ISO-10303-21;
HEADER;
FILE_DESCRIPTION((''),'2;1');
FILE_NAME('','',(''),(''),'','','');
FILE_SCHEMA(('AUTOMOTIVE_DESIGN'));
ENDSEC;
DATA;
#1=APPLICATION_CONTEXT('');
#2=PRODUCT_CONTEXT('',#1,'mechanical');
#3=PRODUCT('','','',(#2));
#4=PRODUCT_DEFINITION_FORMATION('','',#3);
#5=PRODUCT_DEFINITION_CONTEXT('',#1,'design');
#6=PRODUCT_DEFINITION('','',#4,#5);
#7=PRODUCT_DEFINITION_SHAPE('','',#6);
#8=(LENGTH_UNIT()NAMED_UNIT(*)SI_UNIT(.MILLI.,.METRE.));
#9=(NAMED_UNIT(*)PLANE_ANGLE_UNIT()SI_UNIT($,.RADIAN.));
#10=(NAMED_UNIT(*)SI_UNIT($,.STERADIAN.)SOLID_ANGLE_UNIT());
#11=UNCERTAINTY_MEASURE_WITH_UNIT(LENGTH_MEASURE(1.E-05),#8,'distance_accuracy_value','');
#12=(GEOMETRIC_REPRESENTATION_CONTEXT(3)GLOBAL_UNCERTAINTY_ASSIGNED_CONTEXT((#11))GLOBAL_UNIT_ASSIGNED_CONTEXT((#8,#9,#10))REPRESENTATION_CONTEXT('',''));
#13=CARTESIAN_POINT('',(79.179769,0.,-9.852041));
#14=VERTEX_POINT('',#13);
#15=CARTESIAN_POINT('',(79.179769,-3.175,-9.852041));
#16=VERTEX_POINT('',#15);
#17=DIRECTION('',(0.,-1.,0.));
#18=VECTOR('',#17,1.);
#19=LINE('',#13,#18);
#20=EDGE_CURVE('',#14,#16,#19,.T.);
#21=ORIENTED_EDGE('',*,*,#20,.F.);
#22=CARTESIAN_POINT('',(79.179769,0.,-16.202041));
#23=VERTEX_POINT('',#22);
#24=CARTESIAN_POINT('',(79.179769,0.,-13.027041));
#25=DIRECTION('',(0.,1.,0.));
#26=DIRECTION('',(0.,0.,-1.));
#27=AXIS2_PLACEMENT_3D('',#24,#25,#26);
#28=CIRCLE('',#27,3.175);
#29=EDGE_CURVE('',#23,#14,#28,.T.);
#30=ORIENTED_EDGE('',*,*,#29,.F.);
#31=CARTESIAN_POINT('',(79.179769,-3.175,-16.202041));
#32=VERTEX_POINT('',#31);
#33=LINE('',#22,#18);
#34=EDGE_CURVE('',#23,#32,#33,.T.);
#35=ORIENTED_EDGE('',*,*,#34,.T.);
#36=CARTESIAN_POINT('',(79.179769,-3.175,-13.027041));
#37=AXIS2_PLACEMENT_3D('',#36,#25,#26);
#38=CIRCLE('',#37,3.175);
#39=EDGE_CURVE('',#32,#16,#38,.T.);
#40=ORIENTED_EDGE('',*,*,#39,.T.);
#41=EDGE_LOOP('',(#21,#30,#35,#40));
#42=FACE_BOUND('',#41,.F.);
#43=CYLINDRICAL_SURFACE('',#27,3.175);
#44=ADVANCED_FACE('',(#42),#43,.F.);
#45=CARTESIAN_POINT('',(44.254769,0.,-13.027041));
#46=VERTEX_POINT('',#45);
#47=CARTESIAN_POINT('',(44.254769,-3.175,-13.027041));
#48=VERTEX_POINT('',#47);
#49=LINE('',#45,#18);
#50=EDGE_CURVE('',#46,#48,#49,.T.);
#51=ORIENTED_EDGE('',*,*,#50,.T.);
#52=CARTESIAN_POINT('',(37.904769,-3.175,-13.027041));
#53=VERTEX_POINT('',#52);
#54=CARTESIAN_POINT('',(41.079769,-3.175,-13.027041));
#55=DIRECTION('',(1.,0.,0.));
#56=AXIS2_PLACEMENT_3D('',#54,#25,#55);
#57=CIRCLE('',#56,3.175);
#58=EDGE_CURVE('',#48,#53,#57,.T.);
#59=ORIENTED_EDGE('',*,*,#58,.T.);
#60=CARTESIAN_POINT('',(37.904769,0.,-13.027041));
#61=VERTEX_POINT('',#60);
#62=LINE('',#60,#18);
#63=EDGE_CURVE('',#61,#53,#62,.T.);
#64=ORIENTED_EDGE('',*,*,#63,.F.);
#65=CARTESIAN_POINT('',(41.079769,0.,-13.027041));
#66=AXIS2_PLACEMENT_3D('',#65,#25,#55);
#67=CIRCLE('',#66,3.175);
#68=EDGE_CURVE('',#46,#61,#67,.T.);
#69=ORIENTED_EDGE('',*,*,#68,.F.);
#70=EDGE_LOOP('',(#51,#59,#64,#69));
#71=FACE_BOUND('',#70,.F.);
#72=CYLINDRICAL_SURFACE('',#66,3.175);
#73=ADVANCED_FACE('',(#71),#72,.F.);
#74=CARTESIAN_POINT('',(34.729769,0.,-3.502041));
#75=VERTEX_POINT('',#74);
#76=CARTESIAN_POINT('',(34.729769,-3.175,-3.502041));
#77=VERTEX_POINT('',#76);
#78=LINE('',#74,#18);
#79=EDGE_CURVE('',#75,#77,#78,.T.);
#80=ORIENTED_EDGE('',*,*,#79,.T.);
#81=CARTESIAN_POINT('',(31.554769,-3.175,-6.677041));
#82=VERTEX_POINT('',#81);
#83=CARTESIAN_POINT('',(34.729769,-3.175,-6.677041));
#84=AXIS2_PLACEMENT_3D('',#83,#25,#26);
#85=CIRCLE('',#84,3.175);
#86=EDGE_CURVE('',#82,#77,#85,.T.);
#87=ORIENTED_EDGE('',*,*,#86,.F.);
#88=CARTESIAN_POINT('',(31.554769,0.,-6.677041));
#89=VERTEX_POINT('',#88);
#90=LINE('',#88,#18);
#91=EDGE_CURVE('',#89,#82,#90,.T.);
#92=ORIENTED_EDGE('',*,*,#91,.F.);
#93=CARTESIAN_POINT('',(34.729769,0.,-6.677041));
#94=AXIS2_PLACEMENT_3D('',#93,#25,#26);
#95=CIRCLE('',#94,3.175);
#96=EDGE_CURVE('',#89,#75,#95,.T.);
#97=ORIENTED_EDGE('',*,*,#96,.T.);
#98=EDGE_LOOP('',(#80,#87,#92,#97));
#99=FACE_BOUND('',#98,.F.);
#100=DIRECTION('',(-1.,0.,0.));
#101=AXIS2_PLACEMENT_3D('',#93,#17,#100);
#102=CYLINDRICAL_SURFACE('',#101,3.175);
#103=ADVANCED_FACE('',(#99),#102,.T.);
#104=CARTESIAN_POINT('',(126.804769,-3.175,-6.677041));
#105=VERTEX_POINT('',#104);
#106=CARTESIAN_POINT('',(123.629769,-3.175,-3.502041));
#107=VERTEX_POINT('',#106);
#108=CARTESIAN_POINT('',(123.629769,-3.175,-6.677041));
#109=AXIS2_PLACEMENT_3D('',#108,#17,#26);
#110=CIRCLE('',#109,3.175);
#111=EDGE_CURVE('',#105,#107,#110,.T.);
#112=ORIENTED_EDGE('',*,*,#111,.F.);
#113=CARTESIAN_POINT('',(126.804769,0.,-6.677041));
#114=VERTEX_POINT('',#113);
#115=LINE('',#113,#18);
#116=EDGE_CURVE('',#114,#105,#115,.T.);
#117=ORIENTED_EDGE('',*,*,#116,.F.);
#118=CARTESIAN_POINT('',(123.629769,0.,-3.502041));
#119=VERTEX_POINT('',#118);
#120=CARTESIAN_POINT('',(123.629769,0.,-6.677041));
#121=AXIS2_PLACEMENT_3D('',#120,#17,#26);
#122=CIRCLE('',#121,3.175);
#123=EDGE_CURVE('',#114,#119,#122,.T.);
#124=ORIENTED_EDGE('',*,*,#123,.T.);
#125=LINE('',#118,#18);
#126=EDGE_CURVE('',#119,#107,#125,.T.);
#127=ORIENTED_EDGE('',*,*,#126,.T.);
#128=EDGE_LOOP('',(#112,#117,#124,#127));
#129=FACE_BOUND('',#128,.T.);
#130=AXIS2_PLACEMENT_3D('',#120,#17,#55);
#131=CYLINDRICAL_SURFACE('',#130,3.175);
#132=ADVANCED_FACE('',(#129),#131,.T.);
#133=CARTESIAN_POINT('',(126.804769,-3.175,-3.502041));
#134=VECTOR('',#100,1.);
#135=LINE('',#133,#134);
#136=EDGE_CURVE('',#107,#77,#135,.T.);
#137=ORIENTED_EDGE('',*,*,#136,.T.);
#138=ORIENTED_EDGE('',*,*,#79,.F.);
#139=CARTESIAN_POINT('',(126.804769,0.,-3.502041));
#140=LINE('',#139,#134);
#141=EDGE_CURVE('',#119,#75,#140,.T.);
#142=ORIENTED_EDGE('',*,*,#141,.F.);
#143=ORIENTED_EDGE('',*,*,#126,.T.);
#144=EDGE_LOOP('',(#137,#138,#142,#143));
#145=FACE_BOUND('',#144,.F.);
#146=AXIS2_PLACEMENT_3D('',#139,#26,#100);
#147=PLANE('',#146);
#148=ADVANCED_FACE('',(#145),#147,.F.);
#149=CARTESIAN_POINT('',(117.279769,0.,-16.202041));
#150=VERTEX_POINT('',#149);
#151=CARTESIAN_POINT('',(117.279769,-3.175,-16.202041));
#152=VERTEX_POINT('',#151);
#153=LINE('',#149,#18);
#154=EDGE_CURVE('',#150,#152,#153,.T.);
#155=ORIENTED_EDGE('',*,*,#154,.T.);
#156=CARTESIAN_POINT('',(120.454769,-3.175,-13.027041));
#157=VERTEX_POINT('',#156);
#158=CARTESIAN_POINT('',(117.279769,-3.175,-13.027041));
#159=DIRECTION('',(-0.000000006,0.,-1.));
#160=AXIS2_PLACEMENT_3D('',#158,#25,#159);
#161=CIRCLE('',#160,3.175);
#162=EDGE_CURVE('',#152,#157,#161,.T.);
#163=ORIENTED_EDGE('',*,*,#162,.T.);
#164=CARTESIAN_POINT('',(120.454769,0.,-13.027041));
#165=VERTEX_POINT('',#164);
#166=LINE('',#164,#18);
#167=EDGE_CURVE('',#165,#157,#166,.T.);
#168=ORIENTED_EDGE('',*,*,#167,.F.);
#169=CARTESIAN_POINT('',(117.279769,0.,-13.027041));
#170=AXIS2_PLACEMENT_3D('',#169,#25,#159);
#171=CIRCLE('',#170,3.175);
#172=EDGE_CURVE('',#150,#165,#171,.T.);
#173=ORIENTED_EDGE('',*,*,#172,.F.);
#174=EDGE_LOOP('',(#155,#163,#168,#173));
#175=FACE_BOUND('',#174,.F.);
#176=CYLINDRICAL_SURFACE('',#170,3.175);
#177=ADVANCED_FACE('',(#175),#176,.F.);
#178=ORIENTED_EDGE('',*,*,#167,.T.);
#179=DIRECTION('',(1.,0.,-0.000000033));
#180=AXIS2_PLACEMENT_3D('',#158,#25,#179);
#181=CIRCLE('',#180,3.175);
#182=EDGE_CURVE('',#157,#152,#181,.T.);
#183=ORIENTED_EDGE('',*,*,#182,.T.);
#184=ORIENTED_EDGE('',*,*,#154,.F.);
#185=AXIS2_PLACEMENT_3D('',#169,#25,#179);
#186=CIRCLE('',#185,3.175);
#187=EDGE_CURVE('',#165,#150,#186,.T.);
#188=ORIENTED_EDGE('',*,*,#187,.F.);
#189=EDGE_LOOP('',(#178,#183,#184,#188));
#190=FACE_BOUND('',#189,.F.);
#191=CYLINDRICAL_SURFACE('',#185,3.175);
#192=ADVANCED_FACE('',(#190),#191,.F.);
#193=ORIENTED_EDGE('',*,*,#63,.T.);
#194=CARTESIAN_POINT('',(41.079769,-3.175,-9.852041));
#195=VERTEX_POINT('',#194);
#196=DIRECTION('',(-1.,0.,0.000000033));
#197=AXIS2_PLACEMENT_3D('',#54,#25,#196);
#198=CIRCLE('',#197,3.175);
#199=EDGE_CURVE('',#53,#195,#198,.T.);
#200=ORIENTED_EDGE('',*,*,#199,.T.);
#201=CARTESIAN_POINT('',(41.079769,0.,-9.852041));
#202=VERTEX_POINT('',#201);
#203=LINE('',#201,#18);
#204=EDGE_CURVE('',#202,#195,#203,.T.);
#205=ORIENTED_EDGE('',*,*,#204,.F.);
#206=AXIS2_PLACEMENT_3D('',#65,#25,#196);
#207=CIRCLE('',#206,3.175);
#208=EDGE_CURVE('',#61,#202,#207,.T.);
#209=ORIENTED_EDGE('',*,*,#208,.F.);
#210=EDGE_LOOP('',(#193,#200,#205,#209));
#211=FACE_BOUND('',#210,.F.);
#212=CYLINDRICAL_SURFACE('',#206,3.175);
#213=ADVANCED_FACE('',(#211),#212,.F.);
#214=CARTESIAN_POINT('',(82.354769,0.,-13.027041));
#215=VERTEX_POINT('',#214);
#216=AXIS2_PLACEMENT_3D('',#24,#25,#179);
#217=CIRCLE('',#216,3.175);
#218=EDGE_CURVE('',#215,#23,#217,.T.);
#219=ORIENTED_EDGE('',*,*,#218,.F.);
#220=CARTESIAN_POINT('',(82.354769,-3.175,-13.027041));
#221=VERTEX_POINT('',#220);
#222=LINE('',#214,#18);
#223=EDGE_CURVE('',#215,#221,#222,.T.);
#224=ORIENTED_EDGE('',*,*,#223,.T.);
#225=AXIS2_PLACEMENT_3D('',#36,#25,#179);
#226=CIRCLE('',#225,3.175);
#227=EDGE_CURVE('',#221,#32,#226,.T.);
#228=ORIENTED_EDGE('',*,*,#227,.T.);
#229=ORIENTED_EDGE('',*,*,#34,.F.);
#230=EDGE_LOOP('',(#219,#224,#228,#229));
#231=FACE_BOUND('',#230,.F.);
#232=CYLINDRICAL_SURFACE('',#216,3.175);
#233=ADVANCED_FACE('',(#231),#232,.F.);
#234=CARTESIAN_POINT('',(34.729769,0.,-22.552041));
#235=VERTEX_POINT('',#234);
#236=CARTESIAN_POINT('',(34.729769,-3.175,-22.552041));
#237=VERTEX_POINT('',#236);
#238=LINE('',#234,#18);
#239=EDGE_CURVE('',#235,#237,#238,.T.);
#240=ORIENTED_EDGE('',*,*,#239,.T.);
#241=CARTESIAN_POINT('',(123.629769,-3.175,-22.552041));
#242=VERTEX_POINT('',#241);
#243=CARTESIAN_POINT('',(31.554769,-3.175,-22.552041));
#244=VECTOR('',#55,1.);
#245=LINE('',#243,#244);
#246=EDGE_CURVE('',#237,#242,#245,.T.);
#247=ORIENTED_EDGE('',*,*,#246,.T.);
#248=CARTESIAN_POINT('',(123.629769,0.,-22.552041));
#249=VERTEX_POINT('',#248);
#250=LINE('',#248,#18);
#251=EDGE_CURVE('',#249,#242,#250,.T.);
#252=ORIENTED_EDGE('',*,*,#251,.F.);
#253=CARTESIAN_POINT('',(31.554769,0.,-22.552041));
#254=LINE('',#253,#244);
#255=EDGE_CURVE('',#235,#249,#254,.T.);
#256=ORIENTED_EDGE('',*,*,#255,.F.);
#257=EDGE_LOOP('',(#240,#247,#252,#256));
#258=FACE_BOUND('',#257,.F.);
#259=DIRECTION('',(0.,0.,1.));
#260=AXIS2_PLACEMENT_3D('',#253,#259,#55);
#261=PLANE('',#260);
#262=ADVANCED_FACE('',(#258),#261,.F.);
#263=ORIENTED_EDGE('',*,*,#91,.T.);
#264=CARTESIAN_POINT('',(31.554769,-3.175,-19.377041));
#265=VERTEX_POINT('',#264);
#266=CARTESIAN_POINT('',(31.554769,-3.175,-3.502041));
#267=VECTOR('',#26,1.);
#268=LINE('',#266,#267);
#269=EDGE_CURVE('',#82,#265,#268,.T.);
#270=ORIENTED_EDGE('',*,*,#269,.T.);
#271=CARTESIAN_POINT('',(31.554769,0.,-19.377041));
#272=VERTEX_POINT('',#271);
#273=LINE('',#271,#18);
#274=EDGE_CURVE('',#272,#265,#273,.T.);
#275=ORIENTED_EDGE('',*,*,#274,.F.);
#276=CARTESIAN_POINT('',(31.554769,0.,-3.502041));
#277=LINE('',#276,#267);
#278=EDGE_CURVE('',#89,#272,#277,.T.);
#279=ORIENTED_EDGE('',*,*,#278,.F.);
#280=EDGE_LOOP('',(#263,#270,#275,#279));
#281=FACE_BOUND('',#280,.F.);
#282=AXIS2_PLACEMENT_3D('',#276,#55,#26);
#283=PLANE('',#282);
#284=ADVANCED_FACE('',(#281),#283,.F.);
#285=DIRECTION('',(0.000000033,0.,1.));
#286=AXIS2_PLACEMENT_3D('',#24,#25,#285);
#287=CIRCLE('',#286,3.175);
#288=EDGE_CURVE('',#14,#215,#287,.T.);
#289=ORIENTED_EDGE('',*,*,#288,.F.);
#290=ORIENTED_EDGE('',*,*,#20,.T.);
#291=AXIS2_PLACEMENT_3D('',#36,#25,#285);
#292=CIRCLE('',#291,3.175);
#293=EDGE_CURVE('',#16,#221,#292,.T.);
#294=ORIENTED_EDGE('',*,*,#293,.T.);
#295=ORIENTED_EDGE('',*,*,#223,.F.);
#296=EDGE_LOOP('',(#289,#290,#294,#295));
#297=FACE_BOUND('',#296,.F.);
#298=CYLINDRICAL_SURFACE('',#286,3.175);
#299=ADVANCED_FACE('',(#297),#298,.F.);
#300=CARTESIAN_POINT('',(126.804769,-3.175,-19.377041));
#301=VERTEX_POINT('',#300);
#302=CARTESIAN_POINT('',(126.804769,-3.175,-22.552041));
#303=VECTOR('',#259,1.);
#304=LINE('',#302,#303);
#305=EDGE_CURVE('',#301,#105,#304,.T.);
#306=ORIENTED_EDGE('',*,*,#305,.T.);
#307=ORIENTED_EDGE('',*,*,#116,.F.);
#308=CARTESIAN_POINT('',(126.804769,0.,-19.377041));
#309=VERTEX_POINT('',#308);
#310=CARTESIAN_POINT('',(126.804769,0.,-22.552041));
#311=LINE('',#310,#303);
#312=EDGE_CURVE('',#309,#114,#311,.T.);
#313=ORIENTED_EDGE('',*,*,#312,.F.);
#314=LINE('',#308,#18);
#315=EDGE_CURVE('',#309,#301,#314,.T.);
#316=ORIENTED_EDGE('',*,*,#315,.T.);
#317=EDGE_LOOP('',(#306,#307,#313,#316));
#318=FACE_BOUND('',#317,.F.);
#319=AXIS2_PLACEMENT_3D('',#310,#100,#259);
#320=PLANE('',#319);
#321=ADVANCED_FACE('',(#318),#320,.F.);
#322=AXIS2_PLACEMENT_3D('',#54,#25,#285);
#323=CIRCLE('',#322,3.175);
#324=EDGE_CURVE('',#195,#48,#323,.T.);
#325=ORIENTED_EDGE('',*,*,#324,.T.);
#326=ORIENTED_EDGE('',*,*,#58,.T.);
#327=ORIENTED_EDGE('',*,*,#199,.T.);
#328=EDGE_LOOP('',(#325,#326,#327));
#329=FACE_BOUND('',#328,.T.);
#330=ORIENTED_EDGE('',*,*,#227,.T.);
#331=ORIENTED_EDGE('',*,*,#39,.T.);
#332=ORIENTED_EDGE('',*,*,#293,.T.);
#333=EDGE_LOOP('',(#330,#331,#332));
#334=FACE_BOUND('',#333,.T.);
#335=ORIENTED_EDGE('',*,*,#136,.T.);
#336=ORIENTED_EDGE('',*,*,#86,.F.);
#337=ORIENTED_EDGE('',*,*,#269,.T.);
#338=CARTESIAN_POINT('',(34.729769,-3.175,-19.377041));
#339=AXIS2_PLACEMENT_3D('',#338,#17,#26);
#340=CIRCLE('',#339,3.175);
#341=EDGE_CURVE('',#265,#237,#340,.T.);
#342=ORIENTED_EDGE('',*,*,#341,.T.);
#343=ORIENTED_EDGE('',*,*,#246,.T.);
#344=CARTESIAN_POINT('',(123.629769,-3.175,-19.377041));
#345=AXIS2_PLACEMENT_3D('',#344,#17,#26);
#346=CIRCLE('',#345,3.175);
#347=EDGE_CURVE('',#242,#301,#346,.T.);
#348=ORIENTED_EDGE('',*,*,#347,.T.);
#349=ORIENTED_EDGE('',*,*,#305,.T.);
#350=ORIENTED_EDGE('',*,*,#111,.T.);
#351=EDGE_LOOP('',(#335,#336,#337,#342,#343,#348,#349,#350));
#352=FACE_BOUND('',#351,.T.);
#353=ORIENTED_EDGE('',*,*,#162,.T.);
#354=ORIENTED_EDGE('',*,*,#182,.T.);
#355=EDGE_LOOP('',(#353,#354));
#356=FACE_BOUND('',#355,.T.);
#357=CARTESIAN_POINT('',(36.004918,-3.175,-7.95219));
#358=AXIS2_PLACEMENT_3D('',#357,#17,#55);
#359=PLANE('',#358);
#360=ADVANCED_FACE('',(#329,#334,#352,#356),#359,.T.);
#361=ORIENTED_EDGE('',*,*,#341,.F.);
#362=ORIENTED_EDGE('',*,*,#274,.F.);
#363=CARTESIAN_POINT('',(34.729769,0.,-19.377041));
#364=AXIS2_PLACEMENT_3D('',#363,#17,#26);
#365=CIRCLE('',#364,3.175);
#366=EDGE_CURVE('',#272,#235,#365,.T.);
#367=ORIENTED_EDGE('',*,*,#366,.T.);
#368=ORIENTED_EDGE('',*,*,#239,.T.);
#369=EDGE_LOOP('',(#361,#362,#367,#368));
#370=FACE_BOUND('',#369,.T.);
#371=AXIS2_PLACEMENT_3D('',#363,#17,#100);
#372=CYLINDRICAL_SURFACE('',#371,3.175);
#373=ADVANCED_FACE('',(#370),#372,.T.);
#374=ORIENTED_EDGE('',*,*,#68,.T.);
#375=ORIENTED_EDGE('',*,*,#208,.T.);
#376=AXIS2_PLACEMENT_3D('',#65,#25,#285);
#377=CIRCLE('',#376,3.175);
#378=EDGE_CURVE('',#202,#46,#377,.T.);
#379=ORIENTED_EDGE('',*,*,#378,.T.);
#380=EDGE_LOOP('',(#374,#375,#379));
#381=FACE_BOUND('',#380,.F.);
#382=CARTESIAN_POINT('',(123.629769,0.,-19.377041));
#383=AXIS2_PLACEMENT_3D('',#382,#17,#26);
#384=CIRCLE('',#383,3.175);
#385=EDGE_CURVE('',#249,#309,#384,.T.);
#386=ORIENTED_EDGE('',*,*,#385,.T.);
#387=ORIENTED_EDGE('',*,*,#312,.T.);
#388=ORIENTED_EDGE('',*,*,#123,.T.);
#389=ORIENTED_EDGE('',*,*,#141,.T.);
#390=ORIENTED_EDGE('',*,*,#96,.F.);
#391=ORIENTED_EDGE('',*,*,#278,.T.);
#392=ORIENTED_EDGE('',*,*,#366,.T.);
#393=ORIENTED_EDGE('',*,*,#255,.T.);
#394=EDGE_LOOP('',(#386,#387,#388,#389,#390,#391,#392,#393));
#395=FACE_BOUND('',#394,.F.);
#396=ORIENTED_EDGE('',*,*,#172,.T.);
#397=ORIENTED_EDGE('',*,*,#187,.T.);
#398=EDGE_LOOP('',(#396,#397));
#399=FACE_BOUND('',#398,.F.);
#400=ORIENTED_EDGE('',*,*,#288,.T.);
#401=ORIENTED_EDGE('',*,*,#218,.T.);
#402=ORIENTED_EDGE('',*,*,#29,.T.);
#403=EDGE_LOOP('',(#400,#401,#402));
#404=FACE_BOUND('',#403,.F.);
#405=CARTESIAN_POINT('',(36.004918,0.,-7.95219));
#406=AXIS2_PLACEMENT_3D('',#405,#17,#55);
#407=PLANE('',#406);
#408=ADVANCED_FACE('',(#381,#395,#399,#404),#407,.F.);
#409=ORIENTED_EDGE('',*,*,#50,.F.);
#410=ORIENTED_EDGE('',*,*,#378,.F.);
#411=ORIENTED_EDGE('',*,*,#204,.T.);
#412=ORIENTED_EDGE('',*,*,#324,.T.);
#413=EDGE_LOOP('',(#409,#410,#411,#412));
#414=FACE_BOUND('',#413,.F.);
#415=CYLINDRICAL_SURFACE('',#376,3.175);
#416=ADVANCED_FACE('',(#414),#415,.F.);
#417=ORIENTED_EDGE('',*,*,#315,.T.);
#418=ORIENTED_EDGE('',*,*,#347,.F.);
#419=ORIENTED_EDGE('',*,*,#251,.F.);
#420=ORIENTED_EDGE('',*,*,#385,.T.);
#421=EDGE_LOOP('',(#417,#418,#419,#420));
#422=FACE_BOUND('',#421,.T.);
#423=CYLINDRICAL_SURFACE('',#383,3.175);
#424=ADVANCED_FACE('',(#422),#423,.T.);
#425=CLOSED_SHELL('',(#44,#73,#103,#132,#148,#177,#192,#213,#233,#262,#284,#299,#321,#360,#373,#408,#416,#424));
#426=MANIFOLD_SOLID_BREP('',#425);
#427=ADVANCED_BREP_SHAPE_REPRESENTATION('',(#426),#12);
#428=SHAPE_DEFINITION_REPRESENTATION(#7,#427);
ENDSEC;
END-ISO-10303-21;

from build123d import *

# Parameters (mm, degrees)
F1_DEPTH = 3.175
F2_R     = 3.175


with BuildPart() as f1:
    # F0 (on Front) → F1 (new body)
    with BuildSketch(Plane.XZ):
        with BuildLine():
            Line((41.079769, -3.502041), (31.554769, -3.502041))
            Line((31.554769, -3.502041), (31.554769, -13.027041))
            Line((31.554769, -13.027041), (37.904769, -13.027041))
            ThreePointArc((37.904769, -13.027041), (38.834705, -10.781977), (41.079769, -9.852041))
            Line((41.079769, -9.852041), (41.079769, -3.502041))
        make_face()
        with BuildLine():
            Line((79.179769, -3.502041), (41.079769, -3.502041))
            Line((41.079769, -3.502041), (41.079769, -9.852041))
            ThreePointArc((41.079769, -9.852041), (43.324833, -10.781977), (44.254769, -13.027041))
            ThreePointArc((44.254769, -13.027041), (41.079769, -16.202041), (37.904769, -13.027041))
            Line((37.904769, -13.027041), (31.554769, -13.027041))
            Line((31.554769, -13.027041), (31.554769, -22.552041))
            Line((31.554769, -22.552041), (79.179769, -22.552041))
            Line((79.179769, -22.552041), (79.179769, -16.202041))
            ThreePointArc((79.179769, -16.202041), (76.004769, -13.027041), (79.179769, -9.852041))
            Line((79.179769, -9.852041), (79.179769, -3.502041))
        make_face()
        with BuildLine():
            Line((126.804769, -3.502041), (79.179769, -3.502041))
            Line((79.179769, -3.502041), (79.179769, -9.852041))
            ThreePointArc((79.179769, -9.852041), (81.424833, -10.781977), (82.354769, -13.027041))
            ThreePointArc((82.354769, -13.027041), (81.424833, -15.272105), (79.179769, -16.202041))
            Line((79.179769, -16.202041), (79.179769, -22.552041))
            Line((79.179769, -22.552041), (117.279769, -22.552041))
            Line((117.279769, -22.552041), (117.279769, -16.202041))
            ThreePointArc((117.279769, -16.202041), (115.034705, -10.781977), (120.454769, -13.027041))
            Line((120.454769, -13.027041), (126.804769, -13.027041))
            Line((126.804769, -13.027041), (126.804769, -3.502041))
        make_face()
        with BuildLine():
            Line((126.804769, -22.552041), (126.804769, -13.027041))
            Line((126.804769, -13.027041), (120.454769, -13.027041))
            ThreePointArc((120.454769, -13.027041), (119.524833, -15.272105), (117.279769, -16.202041))
            Line((117.279769, -16.202041), (117.279769, -22.552041))
            Line((117.279769, -22.552041), (126.804769, -22.552041))
        make_face()
    extrude(amount=F1_DEPTH)

    # F2
    f2_edges = [f1.edges().sort_by_distance(p)[0] for p in [
        (31.554769, -1.5875, -3.502041),
        (31.554769, -1.5875, -22.552041),
        (126.804769, -1.5875, -3.502041),
        (126.804769, -1.5875, -22.552041),
    ]]
    fillet(f2_edges, radius=F2_R)


solid = f1.part
